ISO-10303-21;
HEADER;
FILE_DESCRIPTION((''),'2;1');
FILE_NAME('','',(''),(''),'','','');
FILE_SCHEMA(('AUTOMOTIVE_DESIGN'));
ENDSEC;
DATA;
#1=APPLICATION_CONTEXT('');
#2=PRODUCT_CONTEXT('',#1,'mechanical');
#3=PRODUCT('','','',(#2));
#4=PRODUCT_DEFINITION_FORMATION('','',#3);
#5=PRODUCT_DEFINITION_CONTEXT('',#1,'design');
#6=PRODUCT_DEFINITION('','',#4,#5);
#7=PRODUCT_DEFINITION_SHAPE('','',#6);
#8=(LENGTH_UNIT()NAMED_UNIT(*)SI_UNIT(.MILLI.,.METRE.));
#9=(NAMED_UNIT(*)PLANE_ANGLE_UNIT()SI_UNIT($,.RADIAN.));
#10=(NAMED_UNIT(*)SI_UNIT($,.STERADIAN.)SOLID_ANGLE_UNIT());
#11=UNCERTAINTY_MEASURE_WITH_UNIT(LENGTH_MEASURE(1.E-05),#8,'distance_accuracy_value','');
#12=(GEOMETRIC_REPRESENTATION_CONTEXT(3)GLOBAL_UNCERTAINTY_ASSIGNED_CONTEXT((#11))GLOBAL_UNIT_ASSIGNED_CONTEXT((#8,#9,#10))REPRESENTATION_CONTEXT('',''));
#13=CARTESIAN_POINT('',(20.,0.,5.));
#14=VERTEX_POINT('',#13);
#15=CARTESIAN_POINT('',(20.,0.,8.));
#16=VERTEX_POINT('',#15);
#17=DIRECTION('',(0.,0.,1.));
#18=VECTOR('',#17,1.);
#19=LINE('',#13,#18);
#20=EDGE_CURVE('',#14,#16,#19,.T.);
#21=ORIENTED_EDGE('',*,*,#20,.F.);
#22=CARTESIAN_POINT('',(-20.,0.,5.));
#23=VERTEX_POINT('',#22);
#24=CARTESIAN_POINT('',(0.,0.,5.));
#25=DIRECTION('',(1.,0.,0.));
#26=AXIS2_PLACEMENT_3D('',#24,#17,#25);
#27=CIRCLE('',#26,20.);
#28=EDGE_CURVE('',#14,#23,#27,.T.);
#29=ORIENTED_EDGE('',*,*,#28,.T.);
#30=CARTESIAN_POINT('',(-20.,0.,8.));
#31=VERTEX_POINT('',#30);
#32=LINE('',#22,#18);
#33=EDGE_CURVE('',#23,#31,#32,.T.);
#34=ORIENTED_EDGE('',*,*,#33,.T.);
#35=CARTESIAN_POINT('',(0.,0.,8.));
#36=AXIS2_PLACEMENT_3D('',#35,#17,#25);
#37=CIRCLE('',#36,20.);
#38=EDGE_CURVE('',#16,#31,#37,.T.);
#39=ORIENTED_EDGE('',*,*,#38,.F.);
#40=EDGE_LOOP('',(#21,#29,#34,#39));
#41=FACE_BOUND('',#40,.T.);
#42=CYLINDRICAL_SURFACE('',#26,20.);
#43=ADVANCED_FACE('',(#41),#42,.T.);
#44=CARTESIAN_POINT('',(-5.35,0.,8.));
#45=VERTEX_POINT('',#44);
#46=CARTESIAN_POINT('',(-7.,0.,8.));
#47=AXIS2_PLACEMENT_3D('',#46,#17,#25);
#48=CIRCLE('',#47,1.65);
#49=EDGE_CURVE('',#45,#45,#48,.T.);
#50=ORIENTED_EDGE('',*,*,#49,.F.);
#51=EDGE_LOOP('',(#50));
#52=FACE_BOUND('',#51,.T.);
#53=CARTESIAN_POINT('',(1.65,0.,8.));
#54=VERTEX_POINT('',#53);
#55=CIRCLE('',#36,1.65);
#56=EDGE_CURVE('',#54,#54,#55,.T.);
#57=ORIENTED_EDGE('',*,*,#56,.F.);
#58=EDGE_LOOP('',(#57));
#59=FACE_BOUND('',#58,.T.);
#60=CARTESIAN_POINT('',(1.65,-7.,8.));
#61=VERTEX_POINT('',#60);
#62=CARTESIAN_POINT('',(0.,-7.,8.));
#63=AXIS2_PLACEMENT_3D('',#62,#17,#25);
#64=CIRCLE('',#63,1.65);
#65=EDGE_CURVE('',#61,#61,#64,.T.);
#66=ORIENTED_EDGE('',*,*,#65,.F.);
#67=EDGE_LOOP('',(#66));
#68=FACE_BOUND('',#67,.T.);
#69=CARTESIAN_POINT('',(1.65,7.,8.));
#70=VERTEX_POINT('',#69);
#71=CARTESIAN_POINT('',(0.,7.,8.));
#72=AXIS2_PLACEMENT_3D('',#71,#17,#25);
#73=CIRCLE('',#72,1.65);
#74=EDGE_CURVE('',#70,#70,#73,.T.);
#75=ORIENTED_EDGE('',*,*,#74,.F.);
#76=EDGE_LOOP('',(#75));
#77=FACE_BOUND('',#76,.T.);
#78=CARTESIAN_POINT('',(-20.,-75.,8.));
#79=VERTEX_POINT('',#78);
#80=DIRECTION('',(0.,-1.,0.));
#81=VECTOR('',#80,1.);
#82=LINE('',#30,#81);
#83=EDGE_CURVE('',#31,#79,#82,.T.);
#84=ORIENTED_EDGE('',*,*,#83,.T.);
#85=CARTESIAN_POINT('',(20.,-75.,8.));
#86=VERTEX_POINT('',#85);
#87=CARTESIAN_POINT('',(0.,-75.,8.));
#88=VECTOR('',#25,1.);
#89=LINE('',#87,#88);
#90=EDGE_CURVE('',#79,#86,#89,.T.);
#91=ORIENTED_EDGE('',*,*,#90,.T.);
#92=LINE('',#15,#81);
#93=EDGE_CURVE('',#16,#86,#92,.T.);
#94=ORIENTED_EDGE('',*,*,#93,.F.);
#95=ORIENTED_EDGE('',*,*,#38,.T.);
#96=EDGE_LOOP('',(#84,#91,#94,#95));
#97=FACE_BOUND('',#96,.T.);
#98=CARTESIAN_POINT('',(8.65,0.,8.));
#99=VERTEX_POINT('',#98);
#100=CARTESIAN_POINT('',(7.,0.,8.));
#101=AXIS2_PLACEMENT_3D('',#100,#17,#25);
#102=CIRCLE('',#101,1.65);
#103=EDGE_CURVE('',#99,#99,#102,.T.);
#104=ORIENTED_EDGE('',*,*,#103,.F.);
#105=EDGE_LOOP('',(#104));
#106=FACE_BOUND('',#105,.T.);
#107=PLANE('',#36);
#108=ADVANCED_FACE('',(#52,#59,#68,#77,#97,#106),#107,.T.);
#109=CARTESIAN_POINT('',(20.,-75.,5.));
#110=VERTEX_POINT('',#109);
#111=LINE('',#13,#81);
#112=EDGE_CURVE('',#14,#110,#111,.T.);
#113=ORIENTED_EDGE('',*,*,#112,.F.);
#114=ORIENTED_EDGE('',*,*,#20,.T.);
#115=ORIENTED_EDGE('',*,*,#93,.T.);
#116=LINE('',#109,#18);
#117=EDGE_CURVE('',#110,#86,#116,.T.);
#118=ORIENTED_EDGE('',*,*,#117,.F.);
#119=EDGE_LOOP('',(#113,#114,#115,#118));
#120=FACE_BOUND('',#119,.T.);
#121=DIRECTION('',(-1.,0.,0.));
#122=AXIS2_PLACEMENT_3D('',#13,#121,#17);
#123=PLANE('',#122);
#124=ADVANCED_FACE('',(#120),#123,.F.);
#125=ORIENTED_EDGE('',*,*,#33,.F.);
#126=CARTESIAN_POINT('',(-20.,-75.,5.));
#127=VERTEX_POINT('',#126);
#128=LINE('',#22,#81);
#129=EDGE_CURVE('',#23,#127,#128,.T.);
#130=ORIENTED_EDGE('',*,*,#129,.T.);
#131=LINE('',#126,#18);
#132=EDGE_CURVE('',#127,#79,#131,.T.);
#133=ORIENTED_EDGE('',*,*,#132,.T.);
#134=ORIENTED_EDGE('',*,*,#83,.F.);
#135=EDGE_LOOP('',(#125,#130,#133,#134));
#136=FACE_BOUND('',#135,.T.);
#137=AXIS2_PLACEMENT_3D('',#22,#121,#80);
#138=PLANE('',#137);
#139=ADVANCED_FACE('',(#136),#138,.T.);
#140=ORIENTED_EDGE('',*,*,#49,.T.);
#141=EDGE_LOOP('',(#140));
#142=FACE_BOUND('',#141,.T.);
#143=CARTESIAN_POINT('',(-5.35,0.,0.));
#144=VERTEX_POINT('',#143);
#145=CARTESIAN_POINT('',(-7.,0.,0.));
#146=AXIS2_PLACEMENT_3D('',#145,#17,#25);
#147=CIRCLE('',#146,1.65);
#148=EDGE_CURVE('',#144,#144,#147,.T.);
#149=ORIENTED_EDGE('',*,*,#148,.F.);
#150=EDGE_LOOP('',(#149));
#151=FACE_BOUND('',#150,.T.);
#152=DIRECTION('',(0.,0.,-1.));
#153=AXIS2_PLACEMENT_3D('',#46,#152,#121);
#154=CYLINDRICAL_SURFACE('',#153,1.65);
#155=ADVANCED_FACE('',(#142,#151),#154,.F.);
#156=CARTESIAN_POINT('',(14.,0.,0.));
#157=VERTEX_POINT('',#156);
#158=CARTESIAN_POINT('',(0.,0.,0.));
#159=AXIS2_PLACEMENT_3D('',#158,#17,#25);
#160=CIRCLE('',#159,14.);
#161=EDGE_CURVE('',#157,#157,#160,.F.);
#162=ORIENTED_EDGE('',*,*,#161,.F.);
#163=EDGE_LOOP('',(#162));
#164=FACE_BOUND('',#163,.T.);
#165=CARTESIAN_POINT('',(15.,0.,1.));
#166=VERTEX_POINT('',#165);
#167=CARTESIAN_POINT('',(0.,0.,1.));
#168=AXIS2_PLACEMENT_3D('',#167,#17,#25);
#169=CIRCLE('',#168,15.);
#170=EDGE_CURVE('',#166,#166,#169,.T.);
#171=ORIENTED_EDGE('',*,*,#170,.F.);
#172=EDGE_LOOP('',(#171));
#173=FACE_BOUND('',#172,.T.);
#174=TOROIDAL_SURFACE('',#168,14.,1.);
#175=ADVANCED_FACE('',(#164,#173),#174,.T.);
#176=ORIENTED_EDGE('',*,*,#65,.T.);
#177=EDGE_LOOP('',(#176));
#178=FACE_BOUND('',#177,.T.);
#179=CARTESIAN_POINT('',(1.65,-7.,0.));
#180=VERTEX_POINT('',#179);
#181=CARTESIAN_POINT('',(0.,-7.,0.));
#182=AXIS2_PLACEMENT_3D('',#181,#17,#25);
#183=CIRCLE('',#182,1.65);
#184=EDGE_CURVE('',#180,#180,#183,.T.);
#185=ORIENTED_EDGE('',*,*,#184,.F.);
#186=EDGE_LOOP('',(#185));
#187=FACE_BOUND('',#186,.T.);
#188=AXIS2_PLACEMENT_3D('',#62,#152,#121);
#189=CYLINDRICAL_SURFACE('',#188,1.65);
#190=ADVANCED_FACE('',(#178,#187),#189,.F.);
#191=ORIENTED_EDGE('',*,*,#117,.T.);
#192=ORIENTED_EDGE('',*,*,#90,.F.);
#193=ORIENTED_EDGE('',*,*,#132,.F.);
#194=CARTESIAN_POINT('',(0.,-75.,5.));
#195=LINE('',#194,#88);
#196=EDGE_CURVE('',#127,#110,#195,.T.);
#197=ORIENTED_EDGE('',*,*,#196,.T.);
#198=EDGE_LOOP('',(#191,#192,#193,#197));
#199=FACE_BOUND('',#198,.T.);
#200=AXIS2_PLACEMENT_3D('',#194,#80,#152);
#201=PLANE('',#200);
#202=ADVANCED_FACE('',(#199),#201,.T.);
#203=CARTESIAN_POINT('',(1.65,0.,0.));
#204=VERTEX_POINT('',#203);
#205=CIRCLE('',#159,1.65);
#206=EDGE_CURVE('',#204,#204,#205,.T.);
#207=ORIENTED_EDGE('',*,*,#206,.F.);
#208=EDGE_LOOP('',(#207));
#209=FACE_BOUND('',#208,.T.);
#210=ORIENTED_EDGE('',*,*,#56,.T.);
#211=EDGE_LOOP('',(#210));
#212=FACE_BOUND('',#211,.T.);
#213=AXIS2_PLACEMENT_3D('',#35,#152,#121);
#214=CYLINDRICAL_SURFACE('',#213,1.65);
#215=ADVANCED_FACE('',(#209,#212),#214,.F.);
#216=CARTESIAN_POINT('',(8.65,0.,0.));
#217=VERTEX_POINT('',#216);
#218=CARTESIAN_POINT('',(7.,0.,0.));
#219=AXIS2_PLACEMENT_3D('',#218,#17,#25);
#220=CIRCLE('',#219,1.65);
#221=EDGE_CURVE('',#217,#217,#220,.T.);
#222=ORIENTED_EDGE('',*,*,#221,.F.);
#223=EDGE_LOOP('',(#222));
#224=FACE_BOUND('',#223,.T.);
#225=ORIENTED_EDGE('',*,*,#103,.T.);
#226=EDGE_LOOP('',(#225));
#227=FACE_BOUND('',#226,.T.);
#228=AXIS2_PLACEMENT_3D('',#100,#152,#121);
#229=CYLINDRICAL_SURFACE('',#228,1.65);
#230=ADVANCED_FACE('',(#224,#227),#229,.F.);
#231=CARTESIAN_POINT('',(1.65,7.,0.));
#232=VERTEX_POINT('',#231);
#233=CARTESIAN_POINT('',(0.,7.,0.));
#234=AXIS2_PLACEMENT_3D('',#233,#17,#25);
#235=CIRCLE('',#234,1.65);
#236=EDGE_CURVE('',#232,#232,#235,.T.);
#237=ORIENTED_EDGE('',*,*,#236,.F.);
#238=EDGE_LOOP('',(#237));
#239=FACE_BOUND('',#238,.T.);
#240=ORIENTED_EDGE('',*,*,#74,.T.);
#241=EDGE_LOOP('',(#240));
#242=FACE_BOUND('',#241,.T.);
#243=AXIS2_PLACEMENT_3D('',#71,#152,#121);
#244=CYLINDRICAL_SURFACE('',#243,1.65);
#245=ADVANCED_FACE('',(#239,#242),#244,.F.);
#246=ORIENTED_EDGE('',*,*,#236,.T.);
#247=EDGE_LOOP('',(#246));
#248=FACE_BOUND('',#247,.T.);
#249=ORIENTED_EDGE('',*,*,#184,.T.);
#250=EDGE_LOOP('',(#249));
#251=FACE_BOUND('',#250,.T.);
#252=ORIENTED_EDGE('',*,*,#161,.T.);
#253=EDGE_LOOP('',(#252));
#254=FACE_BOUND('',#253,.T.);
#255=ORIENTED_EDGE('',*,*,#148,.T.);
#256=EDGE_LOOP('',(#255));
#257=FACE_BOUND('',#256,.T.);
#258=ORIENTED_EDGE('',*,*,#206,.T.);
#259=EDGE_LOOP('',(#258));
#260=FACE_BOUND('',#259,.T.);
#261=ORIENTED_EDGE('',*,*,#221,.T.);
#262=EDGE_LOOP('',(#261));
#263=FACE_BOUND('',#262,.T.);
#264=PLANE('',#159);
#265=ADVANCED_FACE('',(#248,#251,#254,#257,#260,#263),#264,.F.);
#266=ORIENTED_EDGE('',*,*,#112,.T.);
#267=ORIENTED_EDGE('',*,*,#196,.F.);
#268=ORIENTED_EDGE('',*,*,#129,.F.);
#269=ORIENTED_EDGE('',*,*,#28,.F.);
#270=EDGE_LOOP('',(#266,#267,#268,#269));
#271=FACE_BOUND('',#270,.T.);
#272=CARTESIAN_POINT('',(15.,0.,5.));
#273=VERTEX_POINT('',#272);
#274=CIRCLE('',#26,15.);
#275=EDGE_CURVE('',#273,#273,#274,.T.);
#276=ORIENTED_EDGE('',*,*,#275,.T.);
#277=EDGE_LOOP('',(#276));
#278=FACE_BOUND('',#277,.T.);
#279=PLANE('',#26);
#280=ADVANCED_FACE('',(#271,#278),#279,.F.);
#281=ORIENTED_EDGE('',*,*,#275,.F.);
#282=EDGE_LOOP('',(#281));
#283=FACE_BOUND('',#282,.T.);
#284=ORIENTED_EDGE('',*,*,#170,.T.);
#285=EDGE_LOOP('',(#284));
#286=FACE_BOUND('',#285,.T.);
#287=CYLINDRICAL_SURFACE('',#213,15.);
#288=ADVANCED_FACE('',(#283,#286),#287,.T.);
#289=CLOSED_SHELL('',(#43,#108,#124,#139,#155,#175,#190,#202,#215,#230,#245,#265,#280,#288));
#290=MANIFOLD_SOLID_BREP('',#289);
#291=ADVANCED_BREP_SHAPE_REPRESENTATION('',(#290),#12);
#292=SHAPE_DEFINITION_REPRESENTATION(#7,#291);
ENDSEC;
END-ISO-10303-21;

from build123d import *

# Parameters (mm, degrees)
SKETCH_1_R      = 15
SKETCH_1_R_2    = 1.65
EXTRUDE_1_DEPTH = 8
FILLET_1_R      = 1
EXTRUDE_2_DEPTH = 3


with BuildPart() as part:
    # 草图1 → 凸台-拉伸1 (new body)
    with BuildSketch(Plane.XY):
        Circle(SKETCH_1_R)
        Circle(SKETCH_1_R_2, mode=Mode.SUBTRACT)
        with Locations((0, 7)):
            Circle(SKETCH_1_R_2, mode=Mode.SUBTRACT)
        with Locations((7, 0)):
            Circle(SKETCH_1_R_2, mode=Mode.SUBTRACT)
        with Locations((0, -7)):
            Circle(SKETCH_1_R_2, mode=Mode.SUBTRACT)
        with Locations((-7, 0)):
            Circle(SKETCH_1_R_2, mode=Mode.SUBTRACT)
    extrude(amount=EXTRUDE_1_DEPTH)

    # 圆角1
    fillet_1_edges = [part.edges().sort_by_distance(p)[0] for p in [
        (-15, 0, 0),
    ]]
    fillet(fillet_1_edges, radius=FILLET_1_R)

    # 草图2 → 凸台-拉伸2 (add)
    with BuildSketch(Plane.XY.offset(8)):
        with BuildLine():
            ThreePointArc((-15, 0), (0, 15), (15, 0))
            Line((15, 0), (20, 0))
            ThreePointArc((20, 0), (0, 20), (-20, 0))
            Line((-20, 0), (-15, 0))
        make_face()
        with BuildLine():
            Line((20, 0), (15, 0))
            ThreePointArc((15, 0), (0, -15), (-15, 0))
            Line((-15, 0), (-20, 0))
            ThreePointArc((-20, 0), (0, -20), (20, 0))
        make_face()
        with BuildLine():
            Line((20, -75), (20, 0))
            ThreePointArc((20, 0), (0, -20), (-20, 0))
            Line((-20, 0), (-20, -75))
            Line((-20, -75), (20, -75))
        make_face()
    extrude(amount=-EXTRUDE_2_DEPTH)


solid = part.part
